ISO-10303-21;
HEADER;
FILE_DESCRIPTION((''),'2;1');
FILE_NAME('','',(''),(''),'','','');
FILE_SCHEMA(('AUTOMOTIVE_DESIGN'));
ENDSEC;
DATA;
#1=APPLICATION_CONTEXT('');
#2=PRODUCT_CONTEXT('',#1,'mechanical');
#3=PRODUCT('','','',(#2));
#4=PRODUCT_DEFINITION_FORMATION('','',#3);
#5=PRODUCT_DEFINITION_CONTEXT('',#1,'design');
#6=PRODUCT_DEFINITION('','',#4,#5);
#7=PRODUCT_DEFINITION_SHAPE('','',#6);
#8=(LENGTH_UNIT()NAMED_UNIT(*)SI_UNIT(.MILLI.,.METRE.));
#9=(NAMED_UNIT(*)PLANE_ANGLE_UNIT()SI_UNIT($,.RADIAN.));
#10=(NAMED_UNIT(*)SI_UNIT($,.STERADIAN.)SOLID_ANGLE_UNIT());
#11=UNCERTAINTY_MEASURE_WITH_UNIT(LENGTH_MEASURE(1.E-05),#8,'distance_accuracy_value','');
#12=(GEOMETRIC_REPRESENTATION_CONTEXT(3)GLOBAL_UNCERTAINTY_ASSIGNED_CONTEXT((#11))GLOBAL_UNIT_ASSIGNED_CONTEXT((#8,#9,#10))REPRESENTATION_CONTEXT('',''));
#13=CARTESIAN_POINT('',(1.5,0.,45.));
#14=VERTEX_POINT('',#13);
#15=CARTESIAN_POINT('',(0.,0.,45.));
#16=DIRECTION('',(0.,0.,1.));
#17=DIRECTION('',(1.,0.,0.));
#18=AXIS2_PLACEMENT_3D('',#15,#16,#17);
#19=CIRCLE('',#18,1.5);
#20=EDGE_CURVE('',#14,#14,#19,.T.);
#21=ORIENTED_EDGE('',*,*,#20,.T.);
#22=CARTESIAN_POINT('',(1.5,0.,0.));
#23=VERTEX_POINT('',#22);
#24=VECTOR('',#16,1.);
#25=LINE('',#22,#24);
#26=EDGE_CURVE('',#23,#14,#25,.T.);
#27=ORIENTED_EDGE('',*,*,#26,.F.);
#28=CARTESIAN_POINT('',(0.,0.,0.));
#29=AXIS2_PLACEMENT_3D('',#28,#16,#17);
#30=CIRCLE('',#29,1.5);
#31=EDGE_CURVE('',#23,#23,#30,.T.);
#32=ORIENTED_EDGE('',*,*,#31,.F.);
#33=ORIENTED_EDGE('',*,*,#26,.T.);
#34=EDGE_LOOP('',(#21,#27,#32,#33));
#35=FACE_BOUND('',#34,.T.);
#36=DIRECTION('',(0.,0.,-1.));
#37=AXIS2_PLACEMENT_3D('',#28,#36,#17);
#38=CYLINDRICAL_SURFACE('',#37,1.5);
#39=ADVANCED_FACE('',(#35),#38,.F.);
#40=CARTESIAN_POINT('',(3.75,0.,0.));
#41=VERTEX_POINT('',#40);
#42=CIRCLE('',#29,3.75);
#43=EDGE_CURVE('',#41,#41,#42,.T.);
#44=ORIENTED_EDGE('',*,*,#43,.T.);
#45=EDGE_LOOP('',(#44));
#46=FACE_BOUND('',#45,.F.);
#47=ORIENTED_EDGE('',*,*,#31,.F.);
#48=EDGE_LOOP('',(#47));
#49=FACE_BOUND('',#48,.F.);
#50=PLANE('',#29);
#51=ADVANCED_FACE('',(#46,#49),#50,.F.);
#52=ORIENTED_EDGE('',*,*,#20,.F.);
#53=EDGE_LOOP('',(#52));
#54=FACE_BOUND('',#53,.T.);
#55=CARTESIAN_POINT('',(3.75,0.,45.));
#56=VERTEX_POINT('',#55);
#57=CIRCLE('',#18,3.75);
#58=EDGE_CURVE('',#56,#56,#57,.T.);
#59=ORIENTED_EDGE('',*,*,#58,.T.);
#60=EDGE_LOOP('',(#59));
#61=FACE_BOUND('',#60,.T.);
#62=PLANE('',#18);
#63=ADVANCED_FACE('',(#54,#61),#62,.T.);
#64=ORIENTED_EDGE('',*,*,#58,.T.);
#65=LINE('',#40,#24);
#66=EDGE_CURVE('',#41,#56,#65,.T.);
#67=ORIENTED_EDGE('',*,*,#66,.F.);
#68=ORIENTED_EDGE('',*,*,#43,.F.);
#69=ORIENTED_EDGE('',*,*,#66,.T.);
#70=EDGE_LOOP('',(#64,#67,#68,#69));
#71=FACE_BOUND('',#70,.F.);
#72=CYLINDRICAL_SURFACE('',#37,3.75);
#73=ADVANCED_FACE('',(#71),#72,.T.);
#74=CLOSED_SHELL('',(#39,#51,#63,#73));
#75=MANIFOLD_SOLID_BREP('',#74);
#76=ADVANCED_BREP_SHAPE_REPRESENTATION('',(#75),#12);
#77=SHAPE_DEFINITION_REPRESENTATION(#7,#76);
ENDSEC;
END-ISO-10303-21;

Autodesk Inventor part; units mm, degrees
ref_plane "YZ Plane" through (0, 0, 0) normal (1, 0, 0) x (0, 1, 0)
ref_plane "XZ Plane" through (0, 0, 0) normal (0, 1, 0) x (-1, 0, 0)
ref_plane "XY Plane" through (0, 0, 0) normal (0, 0, 1) x (1, 0, 0)
sketch "Sketch1" plane through (0, 0, 0) normal (0, 0, 1) x (1, 0, 0)
  circle A0 centre (0, 0) radius 1.5
  circle A1 centre (0, 0) radius 3.75
  dimension "d0" = 3
  dimension "d1" = 7.5
extrude "Extrusion1" add sketch "Sketch1" along normal blind 45
properties part number "Spacer"
